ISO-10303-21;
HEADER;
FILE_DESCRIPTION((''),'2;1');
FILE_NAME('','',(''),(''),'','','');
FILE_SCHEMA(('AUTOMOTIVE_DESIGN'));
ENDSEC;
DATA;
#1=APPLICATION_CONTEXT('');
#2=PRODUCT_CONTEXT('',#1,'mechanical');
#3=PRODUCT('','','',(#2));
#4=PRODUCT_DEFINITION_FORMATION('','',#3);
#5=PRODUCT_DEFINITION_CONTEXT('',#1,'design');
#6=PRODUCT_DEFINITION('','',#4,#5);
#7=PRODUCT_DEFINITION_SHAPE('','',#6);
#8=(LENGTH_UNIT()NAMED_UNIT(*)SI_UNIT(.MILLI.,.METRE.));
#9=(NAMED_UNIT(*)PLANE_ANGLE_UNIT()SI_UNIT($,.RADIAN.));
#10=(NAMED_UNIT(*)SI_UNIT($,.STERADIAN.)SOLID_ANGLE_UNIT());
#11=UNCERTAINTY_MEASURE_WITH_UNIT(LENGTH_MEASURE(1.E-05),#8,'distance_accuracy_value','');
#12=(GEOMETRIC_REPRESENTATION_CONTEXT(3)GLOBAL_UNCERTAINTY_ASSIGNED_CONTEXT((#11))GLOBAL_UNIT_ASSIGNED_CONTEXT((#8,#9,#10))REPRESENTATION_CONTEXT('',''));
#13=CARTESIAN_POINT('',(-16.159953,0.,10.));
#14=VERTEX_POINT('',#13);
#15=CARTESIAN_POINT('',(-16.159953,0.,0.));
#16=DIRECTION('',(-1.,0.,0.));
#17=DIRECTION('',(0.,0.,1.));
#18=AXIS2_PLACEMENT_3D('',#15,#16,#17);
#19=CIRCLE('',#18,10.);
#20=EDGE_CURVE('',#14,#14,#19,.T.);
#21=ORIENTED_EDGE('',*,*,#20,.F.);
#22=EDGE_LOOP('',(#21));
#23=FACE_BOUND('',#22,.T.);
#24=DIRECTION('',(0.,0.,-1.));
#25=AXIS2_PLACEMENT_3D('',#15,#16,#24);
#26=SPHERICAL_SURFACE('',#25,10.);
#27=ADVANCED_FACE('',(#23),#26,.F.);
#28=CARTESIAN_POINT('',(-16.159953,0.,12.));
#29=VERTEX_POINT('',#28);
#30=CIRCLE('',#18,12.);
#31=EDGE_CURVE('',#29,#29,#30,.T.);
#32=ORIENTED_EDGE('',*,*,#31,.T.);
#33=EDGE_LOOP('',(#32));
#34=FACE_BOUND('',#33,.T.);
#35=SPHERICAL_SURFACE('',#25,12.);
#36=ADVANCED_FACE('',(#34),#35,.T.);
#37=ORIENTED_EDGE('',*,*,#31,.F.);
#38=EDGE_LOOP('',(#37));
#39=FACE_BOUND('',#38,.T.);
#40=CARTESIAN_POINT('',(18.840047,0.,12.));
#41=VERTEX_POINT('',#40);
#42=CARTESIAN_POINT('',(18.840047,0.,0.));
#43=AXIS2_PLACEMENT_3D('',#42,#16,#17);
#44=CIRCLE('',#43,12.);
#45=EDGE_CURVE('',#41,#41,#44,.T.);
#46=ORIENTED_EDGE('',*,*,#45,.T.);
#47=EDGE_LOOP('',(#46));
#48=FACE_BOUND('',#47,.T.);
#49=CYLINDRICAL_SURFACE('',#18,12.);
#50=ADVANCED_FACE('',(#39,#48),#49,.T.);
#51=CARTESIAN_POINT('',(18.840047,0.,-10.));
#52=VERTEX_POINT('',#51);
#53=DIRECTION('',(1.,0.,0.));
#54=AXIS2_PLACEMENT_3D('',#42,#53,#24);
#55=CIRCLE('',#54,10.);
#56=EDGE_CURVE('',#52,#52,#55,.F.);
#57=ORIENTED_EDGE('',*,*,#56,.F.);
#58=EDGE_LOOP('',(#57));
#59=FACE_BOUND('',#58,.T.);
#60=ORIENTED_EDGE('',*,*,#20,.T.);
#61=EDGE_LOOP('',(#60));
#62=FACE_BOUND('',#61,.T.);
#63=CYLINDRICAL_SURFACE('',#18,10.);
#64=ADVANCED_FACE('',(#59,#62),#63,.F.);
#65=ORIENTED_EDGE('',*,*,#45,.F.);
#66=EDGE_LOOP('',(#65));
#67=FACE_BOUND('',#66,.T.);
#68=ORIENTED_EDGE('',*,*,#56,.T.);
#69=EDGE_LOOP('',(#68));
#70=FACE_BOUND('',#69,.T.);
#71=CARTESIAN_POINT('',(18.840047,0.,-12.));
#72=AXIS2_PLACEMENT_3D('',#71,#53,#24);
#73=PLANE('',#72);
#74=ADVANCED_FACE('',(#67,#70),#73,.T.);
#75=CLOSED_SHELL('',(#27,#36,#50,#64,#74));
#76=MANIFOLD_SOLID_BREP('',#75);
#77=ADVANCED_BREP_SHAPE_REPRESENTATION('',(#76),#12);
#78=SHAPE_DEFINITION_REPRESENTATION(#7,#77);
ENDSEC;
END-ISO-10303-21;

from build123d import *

# Parameters (mm, degrees)
SHELL1_T = -2


with BuildPart() as part:
    # Sketch1 → Revolve1 (revolve)
    with BuildSketch(Plane(origin=(0, 0, 0), x_dir=(1, 0, 0), z_dir=(0, 1, 0)), mode=Mode.PRIVATE) as revolve1_sk:
        with BuildLine():
            Line((-16.159952826, 12), (18.840047174, 12))
            Line((18.840047174, 12), (18.840047174, 0))
            Line((18.840047174, 0), (-28.159952826, 0))
            ThreePointArc((-28.159952826, 0), (-24.645234201, 8.485281374), (-16.159952826, 12))
        make_face()
    revolve(revolve1_sk.sketch.rotate(Axis((-16.159952826, 0, 0), (1, 0, 0)), 180), axis=Axis((-16.159952826, 0, 0), (1, 0, 0)))

    # Shell1
    shell1_openings = [part.faces().sort_by_distance(p)[0] for p in [
        (18.840047174, 0, 0),
    ]]
    offset(amount=SHELL1_T, openings=shell1_openings, kind=Kind.INTERSECTION)


solid = part.part
